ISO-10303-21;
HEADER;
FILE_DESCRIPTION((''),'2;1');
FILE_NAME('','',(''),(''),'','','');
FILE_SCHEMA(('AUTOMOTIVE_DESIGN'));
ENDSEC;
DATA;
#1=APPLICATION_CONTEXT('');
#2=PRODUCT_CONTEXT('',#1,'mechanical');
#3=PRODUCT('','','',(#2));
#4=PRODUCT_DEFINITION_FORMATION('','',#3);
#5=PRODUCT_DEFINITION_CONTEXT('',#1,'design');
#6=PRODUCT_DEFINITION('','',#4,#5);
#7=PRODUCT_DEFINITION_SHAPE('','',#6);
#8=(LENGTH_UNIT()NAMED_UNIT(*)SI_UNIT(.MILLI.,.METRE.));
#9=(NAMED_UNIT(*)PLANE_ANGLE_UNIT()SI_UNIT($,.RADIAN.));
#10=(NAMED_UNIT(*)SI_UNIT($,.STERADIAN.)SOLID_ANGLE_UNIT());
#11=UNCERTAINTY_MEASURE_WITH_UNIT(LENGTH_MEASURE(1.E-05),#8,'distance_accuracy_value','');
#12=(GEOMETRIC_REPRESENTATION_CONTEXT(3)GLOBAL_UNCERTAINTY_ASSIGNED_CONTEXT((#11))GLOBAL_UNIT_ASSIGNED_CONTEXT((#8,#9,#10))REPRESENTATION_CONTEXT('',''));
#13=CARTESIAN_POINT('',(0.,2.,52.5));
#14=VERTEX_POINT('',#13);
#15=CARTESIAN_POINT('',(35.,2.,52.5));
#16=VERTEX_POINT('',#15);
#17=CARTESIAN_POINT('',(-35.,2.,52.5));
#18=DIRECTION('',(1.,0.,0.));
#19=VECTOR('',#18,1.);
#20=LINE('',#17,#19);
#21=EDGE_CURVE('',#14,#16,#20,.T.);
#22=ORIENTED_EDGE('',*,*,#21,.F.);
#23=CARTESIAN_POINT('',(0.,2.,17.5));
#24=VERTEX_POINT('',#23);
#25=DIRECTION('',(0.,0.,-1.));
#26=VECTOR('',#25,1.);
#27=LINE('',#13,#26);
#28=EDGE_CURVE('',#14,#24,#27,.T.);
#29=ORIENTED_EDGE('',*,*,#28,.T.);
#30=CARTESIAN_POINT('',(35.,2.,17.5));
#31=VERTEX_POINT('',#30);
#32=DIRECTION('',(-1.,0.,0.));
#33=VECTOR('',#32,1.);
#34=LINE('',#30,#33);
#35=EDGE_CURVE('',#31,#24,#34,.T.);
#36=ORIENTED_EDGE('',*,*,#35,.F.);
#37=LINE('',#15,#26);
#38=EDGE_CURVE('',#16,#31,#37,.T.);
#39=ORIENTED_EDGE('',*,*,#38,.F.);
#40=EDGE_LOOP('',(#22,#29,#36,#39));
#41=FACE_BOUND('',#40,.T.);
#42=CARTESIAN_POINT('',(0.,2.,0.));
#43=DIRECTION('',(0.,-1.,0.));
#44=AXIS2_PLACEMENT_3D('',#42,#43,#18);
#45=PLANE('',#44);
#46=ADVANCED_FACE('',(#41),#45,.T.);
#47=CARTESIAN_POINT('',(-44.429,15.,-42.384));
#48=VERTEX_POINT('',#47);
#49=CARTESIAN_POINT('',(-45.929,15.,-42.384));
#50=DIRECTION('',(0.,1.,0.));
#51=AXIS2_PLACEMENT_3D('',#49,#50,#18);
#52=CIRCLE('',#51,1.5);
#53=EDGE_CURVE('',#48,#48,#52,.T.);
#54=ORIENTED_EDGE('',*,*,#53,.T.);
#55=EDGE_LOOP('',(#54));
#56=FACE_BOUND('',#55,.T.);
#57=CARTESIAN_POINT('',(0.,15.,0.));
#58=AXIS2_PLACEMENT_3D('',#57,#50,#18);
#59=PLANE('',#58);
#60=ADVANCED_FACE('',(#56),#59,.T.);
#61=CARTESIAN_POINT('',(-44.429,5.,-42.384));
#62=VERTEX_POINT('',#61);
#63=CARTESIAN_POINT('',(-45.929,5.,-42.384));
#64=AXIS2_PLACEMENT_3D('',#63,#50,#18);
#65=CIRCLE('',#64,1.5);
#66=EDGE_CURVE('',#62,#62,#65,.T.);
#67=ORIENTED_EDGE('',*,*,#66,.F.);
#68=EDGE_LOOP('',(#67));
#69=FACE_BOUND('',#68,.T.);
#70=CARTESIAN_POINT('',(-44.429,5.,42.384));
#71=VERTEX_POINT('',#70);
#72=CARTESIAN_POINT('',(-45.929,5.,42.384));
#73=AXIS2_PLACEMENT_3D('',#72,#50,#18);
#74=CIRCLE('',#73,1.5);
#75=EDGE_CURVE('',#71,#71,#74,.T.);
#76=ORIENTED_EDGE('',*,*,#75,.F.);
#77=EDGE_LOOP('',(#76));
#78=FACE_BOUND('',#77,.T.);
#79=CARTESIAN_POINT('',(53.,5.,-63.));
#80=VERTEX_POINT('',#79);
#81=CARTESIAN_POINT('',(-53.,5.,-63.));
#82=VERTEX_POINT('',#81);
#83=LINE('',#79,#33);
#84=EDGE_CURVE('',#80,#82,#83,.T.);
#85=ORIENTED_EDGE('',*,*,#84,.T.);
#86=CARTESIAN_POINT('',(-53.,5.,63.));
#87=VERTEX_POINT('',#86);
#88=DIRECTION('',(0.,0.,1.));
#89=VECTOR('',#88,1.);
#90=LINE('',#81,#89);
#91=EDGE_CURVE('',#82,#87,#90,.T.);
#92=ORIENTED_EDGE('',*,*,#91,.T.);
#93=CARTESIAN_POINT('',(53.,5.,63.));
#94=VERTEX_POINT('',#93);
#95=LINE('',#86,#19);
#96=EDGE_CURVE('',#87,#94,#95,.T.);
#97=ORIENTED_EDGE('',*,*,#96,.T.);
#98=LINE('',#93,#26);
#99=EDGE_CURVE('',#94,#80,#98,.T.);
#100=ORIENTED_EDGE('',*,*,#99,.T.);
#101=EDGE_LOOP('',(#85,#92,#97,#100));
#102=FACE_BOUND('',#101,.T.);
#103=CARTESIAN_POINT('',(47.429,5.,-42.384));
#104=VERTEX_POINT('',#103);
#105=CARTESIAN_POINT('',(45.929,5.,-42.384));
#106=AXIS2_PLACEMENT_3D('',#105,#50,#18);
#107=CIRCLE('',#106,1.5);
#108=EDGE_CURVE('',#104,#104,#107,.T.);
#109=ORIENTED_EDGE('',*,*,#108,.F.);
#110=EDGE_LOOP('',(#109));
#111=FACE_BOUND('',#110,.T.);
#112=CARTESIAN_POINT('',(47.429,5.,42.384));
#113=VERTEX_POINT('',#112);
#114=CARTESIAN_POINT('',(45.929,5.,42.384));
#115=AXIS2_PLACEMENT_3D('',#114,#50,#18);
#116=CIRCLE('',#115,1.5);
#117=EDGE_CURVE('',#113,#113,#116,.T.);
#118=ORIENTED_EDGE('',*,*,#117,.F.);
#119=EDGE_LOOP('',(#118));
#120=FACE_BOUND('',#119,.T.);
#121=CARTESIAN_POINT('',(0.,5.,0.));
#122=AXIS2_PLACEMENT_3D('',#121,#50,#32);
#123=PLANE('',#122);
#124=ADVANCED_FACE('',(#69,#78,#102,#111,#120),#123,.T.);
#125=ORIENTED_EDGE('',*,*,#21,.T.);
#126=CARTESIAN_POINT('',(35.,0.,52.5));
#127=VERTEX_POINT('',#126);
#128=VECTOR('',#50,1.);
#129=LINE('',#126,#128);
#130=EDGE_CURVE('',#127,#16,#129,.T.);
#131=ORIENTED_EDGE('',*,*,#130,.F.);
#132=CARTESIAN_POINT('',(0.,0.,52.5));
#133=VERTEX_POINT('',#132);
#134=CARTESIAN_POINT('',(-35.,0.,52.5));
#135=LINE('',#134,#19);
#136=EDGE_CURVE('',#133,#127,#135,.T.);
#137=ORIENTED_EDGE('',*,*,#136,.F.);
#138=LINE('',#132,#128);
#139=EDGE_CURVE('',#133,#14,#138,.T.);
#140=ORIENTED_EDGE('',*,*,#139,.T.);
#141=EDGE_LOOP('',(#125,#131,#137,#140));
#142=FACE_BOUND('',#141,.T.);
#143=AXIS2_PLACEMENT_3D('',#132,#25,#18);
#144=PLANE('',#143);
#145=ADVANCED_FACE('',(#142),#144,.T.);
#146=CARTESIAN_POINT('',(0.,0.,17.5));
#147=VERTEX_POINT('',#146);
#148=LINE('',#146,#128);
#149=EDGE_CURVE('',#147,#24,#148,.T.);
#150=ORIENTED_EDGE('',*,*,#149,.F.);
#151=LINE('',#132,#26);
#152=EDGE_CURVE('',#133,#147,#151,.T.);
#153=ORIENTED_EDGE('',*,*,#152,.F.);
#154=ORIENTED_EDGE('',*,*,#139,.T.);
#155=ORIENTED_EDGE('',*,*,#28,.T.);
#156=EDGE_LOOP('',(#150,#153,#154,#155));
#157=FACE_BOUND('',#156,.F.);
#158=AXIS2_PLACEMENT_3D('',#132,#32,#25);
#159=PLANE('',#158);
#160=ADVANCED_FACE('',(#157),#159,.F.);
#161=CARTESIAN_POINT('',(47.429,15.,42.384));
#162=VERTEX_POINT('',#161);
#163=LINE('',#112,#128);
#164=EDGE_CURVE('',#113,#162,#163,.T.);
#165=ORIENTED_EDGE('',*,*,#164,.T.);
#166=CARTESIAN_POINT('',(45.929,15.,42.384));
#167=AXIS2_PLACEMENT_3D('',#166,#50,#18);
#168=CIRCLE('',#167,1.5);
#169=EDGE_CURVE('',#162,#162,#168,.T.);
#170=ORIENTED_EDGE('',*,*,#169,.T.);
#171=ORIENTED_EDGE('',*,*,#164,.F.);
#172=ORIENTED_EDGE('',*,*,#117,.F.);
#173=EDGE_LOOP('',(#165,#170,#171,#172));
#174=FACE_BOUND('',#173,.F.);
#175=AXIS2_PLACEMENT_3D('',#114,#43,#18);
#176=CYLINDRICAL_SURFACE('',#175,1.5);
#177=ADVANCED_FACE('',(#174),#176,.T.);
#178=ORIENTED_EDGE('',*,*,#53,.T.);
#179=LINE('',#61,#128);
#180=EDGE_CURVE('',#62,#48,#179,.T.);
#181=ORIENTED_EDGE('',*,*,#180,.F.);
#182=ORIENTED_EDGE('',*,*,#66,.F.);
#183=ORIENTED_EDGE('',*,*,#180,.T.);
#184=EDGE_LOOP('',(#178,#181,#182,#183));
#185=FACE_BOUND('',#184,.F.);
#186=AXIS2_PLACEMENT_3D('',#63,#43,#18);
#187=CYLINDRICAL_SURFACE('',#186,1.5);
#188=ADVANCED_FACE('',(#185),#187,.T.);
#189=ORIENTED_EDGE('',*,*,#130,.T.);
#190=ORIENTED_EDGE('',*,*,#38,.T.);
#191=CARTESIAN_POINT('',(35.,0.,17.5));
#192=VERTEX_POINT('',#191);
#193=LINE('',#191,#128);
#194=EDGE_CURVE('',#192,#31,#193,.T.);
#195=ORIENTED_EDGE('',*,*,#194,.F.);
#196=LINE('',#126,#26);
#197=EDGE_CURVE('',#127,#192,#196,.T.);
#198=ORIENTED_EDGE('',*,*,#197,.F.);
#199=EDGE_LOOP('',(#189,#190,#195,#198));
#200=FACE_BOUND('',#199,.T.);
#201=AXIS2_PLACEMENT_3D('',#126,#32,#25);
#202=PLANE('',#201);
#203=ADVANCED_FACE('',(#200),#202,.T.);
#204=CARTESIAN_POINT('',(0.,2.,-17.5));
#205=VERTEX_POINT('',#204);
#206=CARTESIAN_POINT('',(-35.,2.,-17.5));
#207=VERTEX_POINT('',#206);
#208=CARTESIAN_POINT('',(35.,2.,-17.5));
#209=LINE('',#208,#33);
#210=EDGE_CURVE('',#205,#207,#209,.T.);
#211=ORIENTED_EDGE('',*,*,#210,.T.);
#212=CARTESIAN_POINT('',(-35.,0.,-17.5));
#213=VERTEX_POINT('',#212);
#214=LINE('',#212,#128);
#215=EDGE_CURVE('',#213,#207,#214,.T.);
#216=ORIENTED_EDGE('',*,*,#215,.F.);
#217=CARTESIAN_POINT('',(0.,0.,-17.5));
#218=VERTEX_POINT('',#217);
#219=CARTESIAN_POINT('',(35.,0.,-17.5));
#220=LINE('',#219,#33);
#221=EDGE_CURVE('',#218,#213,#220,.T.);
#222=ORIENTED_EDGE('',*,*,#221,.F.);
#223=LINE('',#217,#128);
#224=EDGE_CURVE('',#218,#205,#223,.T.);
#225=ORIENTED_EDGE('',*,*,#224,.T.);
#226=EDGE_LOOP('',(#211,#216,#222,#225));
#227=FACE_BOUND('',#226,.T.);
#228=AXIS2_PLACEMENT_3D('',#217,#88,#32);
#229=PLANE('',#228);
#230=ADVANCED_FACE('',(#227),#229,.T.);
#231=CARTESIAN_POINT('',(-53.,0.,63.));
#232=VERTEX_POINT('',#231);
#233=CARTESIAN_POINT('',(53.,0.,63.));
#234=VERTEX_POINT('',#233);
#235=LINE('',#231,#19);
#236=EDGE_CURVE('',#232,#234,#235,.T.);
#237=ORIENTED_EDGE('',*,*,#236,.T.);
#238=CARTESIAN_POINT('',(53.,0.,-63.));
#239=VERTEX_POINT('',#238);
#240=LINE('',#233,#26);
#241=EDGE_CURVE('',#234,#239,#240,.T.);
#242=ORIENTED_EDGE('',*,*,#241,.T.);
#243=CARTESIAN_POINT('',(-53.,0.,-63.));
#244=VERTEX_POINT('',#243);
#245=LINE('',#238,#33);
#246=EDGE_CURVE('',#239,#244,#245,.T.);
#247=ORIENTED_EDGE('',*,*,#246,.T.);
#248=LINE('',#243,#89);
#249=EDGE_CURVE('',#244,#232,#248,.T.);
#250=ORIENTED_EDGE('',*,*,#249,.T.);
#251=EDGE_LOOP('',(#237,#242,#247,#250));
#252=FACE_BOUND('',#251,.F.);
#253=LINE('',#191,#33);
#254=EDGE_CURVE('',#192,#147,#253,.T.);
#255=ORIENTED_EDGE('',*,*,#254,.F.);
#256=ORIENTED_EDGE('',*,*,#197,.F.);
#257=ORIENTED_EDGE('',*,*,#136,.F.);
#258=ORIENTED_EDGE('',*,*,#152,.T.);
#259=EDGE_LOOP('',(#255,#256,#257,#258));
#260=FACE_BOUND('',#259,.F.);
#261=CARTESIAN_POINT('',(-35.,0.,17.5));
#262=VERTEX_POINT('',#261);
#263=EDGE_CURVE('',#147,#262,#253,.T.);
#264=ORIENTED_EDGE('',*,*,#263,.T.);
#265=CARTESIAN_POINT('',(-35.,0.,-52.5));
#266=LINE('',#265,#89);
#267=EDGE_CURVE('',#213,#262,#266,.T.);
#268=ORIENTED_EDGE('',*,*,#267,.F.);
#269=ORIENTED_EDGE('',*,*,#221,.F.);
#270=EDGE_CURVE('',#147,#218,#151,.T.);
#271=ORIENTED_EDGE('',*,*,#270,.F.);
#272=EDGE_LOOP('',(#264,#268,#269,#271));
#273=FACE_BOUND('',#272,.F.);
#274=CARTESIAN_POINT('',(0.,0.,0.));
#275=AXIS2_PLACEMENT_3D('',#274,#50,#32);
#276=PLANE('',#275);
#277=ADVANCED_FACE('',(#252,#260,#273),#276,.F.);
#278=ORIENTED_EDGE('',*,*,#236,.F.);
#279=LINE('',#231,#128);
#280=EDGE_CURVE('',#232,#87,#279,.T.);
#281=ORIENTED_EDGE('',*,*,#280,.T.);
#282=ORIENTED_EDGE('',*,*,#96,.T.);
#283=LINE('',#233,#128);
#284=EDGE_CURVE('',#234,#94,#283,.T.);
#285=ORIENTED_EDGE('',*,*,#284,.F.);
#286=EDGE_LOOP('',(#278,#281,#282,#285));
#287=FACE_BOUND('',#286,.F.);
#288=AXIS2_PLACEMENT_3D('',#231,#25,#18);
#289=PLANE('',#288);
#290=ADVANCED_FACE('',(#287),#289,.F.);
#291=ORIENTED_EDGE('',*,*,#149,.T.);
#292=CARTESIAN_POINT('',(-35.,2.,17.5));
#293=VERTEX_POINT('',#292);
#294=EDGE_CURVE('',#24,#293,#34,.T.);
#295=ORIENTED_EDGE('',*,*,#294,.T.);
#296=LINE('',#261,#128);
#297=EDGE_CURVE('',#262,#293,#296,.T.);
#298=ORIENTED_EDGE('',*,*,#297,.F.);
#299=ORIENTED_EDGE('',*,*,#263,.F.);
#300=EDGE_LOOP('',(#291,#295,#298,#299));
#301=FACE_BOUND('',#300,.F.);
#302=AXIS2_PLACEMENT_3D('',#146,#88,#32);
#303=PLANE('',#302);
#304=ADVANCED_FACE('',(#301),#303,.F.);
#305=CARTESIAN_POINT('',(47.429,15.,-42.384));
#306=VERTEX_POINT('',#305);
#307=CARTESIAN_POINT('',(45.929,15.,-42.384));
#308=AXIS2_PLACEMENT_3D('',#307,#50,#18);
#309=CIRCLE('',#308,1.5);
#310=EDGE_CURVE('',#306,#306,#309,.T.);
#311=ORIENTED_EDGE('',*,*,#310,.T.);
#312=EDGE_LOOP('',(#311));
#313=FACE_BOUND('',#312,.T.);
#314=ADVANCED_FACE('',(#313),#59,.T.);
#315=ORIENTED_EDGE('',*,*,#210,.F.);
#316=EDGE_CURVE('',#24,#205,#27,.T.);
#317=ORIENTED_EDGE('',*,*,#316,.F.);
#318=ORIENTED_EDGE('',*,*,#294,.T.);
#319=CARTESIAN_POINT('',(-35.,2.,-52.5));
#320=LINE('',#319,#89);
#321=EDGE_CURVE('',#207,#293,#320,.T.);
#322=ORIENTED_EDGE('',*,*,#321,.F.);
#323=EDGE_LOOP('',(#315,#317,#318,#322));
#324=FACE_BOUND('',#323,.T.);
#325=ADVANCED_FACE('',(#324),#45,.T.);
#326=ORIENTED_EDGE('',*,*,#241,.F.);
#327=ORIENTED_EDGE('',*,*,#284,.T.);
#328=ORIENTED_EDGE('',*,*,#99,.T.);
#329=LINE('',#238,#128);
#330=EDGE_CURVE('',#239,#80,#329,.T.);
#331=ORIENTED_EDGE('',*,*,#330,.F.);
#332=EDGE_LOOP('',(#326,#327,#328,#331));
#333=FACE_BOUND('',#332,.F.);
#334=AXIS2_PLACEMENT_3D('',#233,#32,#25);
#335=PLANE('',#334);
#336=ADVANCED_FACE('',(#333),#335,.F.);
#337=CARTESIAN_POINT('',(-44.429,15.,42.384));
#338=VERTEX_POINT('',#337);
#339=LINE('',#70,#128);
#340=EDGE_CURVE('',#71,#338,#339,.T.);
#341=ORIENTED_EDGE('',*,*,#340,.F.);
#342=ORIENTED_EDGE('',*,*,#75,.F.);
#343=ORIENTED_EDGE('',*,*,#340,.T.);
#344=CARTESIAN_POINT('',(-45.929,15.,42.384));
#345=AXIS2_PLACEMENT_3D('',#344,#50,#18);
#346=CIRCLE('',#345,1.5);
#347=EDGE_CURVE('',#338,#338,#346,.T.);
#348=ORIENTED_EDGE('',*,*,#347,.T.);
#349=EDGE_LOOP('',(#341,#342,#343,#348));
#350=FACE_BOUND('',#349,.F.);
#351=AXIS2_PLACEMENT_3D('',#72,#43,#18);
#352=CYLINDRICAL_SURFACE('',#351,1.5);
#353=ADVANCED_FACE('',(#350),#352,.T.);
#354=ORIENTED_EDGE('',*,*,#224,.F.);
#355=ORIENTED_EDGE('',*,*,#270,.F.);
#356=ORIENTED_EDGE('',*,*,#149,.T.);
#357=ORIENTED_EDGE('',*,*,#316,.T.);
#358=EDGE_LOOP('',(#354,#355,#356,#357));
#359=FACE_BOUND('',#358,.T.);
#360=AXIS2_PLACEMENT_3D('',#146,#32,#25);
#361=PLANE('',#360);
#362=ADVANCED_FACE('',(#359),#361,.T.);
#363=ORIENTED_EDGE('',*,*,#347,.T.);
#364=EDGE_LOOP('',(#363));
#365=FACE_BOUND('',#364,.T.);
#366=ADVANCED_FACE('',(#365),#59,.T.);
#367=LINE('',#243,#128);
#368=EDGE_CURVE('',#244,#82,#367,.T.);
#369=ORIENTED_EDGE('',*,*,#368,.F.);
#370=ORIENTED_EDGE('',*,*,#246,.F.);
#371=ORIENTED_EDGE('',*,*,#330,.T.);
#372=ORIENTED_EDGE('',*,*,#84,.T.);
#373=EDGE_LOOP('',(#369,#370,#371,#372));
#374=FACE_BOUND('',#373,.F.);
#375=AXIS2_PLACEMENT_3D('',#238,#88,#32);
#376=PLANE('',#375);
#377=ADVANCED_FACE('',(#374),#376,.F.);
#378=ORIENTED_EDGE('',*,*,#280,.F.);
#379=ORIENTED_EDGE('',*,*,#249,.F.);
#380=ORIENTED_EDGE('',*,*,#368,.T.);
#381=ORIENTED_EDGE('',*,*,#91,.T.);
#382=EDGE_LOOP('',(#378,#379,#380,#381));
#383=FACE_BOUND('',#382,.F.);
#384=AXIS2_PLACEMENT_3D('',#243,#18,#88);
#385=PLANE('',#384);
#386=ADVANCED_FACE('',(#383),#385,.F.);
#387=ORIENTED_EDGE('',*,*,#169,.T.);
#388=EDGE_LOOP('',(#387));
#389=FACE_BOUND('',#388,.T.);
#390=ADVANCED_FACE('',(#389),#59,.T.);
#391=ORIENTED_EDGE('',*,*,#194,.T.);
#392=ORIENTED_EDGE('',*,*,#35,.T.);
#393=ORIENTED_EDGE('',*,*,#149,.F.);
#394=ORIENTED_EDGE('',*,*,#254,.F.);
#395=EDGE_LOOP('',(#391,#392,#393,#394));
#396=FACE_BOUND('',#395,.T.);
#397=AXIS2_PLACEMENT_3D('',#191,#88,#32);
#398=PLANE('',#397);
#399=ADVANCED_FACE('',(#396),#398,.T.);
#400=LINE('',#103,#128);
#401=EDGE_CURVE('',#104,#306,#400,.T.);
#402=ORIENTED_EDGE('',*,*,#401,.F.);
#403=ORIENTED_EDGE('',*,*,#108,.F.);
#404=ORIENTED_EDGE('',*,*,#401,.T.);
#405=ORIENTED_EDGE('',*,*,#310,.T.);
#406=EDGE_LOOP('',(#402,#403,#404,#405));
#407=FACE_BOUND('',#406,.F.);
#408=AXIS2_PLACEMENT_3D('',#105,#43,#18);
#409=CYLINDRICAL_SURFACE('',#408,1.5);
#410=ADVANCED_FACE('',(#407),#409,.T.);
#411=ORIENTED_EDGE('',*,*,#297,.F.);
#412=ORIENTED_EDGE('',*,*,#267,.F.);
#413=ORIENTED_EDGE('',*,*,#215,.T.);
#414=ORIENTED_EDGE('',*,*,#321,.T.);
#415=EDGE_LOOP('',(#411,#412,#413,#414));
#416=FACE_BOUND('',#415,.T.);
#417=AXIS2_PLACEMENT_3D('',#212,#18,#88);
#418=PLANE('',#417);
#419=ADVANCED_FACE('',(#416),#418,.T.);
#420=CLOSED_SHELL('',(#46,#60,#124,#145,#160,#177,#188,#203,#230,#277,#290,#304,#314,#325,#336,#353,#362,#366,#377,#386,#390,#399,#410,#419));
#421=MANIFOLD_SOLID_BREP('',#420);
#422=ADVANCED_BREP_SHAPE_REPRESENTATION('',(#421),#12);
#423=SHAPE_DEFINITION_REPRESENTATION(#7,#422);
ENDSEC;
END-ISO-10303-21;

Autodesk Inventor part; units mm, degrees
ref_plane "YZ Plane" through (0, 0, 0) normal (1, 0, 0) x (0, 1, 0)
ref_plane "XZ Plane" through (0, 0, 0) normal (0, 1, 0) x (-1, 0, 0)
ref_plane "XY Plane" through (0, 0, 0) normal (0, 0, 1) x (1, 0, 0)
sketch "Boceto1" plane through (0, 0, 0) normal (0, 1, 0) x (-1, 0, 0)
  line L0 (53, 63) -> (-53, 63)
  line L1 (-53, 63) -> (-53, -63)
  line L2 (-53, -63) -> (53, -63)
  line L3 (53, -63) -> (53, 63)
  point P0 (0, 0)
  point P1 (0, 63)
  dimension "d1" = 106
  dimension "d2" = 126
  dimension "d3" = 53
  dimension "d4" = 63
extrude "Extrusión1" add sketch "Boceto1" along normal blind 5
sketch "Boceto2" plane through (0, 5, 0) normal (0, 1, 0) x (1, 0, 0)
  circle A0 centre (-45.929, -42.384) radius 1.5
  line L0 (-53, -63) -> (53, -63) projected
  line L1 (-53, 63) -> (-53, -63) projected
  line L2 (-81, 0) -> (77, 0)
  line L3 (0, -130) -> (0, 128)
  circle A1 centre (-45.929, 42.384) radius 1.5
  line L4 (-53, -63) -> (-53, 63)
  circle A2 centre (45.929, -42.384) radius 1.5
  circle A3 centre (45.929, 42.384) radius 1.5
  point P0 (0, 0)
  dimension "d7" = 3
  dimension "d8" = 20.616
  dimension "d9" = 7.071
extrude "Extrusión2" add sketch "Boceto2" along normal blind 10 contours A0 | A1 | A2 | A3
sketch "Boceto3" plane through (0, 0, 0) normal (0, -1, 0) x (1, 0, 0)
  line L0 (-35, 52.5) -> (35, 52.5)
  line L1 (35, 52.5) -> (35, -52.5)
  line L2 (35, -52.5) -> (-35, -52.5)
  line L3 (-35, -52.5) -> (-35, 52.5)
  line L4 (53, -63) -> (-53, -63) projected
  line L5 (-53, 63) -> (53, 63) projected
  line L6 (53, 63) -> (53, -63) projected
  line L7 (-53, -63) -> (-53, 63) projected
  line L8 (35, 17.5) -> (-35, 17.5)
  line L9 (35, -17.5) -> (-35, -17.5)
  line L10 (0, 52.5) -> (0, -52.5)
  point P0 (0, 0)
  point P1 (0, 17.5)
  point P2 (0, -17.5)
  dimension "d12" = 52.5
  dimension "d13" = 126
  dimension "d14" = 106
  dimension "d15" = 52.5
  dimension "d16" = 35
  dimension "d17" = 35
  dimension "d18" = 35
  dimension "d19" = 35
  dimension "d20" = 35
extrude "Extrusión3" cut sketch "Boceto3" against normal blind 2 contours L0 L1 L8 L10 | L8 L10 L9 L3
properties part number "Tapa 0"
